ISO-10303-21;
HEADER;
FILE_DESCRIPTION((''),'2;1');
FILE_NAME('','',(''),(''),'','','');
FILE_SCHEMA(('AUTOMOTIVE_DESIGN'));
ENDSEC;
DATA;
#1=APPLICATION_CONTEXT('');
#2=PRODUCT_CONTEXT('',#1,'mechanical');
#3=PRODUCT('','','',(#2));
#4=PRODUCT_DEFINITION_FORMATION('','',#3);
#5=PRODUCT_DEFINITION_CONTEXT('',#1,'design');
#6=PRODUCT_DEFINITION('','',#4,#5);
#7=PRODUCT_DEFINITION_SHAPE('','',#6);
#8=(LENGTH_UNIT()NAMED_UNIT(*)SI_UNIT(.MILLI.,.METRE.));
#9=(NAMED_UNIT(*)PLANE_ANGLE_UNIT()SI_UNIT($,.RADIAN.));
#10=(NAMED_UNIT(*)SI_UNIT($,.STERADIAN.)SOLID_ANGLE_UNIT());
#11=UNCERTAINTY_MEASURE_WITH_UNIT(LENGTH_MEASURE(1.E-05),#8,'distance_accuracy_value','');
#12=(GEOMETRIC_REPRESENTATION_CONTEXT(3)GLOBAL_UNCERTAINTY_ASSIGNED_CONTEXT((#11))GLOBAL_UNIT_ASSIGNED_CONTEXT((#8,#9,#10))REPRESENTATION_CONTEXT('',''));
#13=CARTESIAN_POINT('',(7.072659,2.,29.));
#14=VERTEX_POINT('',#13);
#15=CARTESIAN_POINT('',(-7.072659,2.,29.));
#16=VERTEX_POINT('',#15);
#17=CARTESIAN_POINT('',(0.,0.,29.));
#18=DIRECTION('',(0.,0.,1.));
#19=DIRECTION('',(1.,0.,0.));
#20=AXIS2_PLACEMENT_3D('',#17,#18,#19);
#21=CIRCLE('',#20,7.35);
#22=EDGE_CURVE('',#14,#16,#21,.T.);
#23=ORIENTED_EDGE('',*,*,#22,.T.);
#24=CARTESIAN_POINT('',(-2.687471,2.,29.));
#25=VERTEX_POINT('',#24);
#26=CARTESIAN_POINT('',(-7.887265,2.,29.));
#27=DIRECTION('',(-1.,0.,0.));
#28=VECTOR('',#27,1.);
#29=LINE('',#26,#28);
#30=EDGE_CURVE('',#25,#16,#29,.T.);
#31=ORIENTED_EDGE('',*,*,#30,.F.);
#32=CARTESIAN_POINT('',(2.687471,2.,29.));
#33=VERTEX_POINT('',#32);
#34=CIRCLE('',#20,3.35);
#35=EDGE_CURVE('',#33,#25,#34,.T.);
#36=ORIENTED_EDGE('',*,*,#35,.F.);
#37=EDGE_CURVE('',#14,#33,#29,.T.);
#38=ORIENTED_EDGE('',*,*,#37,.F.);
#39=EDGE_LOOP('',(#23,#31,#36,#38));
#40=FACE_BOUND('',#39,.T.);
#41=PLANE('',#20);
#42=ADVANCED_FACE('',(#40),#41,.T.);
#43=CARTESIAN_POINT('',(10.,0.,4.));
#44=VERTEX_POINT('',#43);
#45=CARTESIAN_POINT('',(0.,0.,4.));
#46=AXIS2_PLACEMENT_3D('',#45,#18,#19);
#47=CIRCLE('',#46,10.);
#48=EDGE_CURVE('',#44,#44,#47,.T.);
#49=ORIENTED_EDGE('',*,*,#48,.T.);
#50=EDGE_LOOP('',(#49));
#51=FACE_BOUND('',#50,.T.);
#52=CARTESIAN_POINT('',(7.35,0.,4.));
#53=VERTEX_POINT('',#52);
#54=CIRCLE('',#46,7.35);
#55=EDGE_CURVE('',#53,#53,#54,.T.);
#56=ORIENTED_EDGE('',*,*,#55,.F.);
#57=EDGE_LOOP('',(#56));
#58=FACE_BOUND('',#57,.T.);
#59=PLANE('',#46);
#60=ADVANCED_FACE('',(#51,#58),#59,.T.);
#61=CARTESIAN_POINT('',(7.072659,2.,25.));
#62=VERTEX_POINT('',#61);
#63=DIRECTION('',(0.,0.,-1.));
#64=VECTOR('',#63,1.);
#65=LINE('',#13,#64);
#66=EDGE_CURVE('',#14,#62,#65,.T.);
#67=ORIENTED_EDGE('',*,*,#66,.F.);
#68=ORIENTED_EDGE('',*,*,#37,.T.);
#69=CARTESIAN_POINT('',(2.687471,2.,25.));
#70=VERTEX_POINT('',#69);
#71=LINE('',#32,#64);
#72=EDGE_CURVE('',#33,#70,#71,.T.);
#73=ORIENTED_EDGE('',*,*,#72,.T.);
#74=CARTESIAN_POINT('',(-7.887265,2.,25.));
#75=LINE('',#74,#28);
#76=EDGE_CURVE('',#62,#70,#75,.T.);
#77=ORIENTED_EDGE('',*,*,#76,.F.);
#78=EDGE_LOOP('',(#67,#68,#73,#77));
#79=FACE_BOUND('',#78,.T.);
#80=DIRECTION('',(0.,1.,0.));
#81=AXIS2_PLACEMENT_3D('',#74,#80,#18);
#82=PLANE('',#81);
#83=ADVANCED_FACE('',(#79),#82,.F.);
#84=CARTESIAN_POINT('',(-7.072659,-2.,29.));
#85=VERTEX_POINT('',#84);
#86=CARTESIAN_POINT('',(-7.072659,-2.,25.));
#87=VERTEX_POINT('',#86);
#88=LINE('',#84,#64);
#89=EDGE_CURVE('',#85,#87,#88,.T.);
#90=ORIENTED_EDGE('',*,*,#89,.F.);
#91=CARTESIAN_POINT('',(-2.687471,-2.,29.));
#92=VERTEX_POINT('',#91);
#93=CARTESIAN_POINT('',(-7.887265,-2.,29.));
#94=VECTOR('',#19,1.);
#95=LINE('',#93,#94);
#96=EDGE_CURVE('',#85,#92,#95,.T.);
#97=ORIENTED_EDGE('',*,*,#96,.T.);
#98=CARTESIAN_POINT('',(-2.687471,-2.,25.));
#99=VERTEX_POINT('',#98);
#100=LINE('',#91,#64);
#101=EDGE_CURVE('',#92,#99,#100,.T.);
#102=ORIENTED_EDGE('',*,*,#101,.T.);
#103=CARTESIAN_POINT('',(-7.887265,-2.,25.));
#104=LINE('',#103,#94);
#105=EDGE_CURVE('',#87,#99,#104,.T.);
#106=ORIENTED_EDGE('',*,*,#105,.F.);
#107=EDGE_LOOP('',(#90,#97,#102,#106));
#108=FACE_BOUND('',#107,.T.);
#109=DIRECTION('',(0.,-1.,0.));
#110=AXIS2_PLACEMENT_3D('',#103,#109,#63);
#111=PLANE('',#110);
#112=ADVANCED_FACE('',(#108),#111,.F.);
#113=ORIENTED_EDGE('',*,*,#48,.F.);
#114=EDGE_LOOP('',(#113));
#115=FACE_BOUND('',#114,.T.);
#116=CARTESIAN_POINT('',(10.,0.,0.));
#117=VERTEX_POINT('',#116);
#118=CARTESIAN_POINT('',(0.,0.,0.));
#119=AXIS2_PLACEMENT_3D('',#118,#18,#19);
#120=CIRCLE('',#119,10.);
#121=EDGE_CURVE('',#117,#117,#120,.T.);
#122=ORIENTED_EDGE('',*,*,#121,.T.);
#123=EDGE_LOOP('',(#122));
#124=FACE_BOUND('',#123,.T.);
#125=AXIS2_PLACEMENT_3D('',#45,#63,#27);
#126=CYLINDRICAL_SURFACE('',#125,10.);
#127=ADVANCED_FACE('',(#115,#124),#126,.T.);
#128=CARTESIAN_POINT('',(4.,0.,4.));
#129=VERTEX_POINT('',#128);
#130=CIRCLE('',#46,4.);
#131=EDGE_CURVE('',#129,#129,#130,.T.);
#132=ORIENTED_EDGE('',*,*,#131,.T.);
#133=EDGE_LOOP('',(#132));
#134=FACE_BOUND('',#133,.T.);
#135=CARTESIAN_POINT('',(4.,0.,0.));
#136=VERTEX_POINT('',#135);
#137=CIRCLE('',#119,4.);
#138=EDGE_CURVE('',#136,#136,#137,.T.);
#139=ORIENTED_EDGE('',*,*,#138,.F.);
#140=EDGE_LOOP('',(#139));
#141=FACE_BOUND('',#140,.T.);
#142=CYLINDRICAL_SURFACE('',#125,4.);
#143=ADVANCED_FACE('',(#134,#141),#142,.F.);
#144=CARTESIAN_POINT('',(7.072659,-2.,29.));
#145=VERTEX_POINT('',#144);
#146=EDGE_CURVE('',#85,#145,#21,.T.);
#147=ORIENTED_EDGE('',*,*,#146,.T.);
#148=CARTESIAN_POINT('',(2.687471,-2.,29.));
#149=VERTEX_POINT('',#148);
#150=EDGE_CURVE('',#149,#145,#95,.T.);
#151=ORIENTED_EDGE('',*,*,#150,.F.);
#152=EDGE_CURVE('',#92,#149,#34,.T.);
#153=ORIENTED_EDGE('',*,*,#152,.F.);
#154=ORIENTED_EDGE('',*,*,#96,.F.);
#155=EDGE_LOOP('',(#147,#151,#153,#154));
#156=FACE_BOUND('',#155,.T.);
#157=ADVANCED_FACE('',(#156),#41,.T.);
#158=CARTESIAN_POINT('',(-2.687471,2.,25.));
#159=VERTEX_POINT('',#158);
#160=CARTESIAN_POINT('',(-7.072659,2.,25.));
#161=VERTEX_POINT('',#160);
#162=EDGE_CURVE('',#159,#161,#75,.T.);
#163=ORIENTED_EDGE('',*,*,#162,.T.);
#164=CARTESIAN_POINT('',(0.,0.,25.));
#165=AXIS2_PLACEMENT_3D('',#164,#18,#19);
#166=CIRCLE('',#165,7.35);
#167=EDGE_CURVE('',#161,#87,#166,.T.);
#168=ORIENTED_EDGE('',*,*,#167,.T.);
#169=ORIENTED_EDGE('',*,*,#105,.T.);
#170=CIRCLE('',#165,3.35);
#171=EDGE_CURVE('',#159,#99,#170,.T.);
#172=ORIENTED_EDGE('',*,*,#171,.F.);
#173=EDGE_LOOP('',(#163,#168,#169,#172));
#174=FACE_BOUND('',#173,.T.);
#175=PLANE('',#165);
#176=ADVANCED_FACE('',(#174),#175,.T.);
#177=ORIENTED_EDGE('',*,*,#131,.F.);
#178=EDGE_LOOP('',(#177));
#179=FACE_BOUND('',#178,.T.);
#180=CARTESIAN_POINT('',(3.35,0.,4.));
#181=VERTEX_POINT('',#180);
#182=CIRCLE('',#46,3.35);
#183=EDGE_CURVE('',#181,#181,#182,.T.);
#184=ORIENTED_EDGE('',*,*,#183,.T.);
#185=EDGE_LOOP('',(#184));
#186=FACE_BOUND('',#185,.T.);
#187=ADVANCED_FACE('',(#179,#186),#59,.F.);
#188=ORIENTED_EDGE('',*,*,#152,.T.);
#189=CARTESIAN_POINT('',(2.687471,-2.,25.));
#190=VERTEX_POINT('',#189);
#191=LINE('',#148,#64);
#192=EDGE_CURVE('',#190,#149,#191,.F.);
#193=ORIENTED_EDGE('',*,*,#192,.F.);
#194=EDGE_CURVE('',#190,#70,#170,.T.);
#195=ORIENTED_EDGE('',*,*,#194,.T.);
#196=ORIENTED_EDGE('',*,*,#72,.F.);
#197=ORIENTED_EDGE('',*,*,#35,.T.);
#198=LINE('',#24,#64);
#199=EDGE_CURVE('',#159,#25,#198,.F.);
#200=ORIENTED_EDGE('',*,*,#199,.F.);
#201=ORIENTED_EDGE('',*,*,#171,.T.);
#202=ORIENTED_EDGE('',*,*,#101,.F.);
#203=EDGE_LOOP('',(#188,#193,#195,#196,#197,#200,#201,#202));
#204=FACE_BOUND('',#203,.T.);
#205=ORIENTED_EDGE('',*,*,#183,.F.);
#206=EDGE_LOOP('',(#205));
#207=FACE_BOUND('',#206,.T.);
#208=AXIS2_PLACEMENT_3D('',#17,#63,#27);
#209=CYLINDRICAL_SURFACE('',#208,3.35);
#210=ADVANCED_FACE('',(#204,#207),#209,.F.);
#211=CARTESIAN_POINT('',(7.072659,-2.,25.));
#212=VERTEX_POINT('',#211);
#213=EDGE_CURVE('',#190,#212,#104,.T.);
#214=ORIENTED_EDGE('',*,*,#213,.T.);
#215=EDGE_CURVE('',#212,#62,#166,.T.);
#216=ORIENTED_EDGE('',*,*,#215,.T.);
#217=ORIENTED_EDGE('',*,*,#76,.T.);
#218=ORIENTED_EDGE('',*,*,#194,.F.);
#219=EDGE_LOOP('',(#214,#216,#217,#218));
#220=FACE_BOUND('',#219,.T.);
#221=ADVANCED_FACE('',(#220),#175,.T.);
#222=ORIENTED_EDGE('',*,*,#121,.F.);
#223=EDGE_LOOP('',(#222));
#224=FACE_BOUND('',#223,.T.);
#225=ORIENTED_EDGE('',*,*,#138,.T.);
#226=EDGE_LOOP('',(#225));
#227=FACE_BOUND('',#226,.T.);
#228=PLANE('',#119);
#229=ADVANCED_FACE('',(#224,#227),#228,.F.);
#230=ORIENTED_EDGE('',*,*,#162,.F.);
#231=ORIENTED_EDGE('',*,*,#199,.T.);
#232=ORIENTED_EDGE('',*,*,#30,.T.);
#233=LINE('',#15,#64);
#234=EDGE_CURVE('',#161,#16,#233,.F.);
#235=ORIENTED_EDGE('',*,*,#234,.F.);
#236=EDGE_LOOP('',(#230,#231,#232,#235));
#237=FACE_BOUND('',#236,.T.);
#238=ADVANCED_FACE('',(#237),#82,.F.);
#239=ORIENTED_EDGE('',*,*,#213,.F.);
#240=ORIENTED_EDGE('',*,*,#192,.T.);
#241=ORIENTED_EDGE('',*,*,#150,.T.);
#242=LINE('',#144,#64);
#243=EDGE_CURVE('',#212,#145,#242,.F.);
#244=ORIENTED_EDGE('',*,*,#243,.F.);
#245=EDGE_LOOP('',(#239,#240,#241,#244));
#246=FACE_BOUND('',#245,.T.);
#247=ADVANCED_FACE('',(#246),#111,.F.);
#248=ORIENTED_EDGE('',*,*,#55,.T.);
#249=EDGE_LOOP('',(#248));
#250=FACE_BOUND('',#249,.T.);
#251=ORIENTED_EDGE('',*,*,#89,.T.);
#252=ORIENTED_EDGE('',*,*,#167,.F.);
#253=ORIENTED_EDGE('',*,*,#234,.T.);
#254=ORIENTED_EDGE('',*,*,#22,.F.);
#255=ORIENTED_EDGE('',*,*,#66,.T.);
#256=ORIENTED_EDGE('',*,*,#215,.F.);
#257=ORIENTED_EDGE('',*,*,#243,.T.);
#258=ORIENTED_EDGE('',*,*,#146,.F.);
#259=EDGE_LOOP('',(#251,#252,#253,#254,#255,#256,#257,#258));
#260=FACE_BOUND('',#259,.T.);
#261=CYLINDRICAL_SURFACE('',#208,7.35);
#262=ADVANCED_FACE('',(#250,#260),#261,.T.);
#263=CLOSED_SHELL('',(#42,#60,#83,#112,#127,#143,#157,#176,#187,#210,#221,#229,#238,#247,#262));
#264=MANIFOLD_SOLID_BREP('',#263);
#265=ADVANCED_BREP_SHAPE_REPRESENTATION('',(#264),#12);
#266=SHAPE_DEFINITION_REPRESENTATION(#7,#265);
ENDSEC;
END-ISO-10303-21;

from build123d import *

# Parameters (mm, degrees)
SKETCH_1_R          = 10
SKETCH_1_R_2        = 4
EXTRUDE_1_DEPTH     = 4
SKETCH_2_R          = 7.35
SKETCH_2_R_2        = 3.35
EXTRUDE_2_DEPTH     = 25
SKETCH_3_W          = 15.774529682
SKETCH_3_H          = 4
CUT_EXTRUDE_1_DEPTH = 4


with BuildPart() as part:
    # 草图1 → 拉伸-薄壁1 (new body)
    with BuildSketch(Plane.XY):
        Circle(SKETCH_1_R)
        Circle(SKETCH_1_R_2, mode=Mode.SUBTRACT)
    extrude(amount=EXTRUDE_1_DEPTH)

    # 草图2 → 拉伸-薄壁2 (add)
    with BuildSketch(Plane.XY.offset(4)):
        Circle(SKETCH_2_R)
        Circle(SKETCH_2_R_2, mode=Mode.SUBTRACT)
    extrude(amount=EXTRUDE_2_DEPTH)

    # 草图3 → 切除-拉伸1 (cut)
    with BuildSketch(Plane.XY.offset(29)):
        Rectangle(SKETCH_3_W, SKETCH_3_H)
    extrude(amount=-CUT_EXTRUDE_1_DEPTH, mode=Mode.SUBTRACT)


solid = part.part
